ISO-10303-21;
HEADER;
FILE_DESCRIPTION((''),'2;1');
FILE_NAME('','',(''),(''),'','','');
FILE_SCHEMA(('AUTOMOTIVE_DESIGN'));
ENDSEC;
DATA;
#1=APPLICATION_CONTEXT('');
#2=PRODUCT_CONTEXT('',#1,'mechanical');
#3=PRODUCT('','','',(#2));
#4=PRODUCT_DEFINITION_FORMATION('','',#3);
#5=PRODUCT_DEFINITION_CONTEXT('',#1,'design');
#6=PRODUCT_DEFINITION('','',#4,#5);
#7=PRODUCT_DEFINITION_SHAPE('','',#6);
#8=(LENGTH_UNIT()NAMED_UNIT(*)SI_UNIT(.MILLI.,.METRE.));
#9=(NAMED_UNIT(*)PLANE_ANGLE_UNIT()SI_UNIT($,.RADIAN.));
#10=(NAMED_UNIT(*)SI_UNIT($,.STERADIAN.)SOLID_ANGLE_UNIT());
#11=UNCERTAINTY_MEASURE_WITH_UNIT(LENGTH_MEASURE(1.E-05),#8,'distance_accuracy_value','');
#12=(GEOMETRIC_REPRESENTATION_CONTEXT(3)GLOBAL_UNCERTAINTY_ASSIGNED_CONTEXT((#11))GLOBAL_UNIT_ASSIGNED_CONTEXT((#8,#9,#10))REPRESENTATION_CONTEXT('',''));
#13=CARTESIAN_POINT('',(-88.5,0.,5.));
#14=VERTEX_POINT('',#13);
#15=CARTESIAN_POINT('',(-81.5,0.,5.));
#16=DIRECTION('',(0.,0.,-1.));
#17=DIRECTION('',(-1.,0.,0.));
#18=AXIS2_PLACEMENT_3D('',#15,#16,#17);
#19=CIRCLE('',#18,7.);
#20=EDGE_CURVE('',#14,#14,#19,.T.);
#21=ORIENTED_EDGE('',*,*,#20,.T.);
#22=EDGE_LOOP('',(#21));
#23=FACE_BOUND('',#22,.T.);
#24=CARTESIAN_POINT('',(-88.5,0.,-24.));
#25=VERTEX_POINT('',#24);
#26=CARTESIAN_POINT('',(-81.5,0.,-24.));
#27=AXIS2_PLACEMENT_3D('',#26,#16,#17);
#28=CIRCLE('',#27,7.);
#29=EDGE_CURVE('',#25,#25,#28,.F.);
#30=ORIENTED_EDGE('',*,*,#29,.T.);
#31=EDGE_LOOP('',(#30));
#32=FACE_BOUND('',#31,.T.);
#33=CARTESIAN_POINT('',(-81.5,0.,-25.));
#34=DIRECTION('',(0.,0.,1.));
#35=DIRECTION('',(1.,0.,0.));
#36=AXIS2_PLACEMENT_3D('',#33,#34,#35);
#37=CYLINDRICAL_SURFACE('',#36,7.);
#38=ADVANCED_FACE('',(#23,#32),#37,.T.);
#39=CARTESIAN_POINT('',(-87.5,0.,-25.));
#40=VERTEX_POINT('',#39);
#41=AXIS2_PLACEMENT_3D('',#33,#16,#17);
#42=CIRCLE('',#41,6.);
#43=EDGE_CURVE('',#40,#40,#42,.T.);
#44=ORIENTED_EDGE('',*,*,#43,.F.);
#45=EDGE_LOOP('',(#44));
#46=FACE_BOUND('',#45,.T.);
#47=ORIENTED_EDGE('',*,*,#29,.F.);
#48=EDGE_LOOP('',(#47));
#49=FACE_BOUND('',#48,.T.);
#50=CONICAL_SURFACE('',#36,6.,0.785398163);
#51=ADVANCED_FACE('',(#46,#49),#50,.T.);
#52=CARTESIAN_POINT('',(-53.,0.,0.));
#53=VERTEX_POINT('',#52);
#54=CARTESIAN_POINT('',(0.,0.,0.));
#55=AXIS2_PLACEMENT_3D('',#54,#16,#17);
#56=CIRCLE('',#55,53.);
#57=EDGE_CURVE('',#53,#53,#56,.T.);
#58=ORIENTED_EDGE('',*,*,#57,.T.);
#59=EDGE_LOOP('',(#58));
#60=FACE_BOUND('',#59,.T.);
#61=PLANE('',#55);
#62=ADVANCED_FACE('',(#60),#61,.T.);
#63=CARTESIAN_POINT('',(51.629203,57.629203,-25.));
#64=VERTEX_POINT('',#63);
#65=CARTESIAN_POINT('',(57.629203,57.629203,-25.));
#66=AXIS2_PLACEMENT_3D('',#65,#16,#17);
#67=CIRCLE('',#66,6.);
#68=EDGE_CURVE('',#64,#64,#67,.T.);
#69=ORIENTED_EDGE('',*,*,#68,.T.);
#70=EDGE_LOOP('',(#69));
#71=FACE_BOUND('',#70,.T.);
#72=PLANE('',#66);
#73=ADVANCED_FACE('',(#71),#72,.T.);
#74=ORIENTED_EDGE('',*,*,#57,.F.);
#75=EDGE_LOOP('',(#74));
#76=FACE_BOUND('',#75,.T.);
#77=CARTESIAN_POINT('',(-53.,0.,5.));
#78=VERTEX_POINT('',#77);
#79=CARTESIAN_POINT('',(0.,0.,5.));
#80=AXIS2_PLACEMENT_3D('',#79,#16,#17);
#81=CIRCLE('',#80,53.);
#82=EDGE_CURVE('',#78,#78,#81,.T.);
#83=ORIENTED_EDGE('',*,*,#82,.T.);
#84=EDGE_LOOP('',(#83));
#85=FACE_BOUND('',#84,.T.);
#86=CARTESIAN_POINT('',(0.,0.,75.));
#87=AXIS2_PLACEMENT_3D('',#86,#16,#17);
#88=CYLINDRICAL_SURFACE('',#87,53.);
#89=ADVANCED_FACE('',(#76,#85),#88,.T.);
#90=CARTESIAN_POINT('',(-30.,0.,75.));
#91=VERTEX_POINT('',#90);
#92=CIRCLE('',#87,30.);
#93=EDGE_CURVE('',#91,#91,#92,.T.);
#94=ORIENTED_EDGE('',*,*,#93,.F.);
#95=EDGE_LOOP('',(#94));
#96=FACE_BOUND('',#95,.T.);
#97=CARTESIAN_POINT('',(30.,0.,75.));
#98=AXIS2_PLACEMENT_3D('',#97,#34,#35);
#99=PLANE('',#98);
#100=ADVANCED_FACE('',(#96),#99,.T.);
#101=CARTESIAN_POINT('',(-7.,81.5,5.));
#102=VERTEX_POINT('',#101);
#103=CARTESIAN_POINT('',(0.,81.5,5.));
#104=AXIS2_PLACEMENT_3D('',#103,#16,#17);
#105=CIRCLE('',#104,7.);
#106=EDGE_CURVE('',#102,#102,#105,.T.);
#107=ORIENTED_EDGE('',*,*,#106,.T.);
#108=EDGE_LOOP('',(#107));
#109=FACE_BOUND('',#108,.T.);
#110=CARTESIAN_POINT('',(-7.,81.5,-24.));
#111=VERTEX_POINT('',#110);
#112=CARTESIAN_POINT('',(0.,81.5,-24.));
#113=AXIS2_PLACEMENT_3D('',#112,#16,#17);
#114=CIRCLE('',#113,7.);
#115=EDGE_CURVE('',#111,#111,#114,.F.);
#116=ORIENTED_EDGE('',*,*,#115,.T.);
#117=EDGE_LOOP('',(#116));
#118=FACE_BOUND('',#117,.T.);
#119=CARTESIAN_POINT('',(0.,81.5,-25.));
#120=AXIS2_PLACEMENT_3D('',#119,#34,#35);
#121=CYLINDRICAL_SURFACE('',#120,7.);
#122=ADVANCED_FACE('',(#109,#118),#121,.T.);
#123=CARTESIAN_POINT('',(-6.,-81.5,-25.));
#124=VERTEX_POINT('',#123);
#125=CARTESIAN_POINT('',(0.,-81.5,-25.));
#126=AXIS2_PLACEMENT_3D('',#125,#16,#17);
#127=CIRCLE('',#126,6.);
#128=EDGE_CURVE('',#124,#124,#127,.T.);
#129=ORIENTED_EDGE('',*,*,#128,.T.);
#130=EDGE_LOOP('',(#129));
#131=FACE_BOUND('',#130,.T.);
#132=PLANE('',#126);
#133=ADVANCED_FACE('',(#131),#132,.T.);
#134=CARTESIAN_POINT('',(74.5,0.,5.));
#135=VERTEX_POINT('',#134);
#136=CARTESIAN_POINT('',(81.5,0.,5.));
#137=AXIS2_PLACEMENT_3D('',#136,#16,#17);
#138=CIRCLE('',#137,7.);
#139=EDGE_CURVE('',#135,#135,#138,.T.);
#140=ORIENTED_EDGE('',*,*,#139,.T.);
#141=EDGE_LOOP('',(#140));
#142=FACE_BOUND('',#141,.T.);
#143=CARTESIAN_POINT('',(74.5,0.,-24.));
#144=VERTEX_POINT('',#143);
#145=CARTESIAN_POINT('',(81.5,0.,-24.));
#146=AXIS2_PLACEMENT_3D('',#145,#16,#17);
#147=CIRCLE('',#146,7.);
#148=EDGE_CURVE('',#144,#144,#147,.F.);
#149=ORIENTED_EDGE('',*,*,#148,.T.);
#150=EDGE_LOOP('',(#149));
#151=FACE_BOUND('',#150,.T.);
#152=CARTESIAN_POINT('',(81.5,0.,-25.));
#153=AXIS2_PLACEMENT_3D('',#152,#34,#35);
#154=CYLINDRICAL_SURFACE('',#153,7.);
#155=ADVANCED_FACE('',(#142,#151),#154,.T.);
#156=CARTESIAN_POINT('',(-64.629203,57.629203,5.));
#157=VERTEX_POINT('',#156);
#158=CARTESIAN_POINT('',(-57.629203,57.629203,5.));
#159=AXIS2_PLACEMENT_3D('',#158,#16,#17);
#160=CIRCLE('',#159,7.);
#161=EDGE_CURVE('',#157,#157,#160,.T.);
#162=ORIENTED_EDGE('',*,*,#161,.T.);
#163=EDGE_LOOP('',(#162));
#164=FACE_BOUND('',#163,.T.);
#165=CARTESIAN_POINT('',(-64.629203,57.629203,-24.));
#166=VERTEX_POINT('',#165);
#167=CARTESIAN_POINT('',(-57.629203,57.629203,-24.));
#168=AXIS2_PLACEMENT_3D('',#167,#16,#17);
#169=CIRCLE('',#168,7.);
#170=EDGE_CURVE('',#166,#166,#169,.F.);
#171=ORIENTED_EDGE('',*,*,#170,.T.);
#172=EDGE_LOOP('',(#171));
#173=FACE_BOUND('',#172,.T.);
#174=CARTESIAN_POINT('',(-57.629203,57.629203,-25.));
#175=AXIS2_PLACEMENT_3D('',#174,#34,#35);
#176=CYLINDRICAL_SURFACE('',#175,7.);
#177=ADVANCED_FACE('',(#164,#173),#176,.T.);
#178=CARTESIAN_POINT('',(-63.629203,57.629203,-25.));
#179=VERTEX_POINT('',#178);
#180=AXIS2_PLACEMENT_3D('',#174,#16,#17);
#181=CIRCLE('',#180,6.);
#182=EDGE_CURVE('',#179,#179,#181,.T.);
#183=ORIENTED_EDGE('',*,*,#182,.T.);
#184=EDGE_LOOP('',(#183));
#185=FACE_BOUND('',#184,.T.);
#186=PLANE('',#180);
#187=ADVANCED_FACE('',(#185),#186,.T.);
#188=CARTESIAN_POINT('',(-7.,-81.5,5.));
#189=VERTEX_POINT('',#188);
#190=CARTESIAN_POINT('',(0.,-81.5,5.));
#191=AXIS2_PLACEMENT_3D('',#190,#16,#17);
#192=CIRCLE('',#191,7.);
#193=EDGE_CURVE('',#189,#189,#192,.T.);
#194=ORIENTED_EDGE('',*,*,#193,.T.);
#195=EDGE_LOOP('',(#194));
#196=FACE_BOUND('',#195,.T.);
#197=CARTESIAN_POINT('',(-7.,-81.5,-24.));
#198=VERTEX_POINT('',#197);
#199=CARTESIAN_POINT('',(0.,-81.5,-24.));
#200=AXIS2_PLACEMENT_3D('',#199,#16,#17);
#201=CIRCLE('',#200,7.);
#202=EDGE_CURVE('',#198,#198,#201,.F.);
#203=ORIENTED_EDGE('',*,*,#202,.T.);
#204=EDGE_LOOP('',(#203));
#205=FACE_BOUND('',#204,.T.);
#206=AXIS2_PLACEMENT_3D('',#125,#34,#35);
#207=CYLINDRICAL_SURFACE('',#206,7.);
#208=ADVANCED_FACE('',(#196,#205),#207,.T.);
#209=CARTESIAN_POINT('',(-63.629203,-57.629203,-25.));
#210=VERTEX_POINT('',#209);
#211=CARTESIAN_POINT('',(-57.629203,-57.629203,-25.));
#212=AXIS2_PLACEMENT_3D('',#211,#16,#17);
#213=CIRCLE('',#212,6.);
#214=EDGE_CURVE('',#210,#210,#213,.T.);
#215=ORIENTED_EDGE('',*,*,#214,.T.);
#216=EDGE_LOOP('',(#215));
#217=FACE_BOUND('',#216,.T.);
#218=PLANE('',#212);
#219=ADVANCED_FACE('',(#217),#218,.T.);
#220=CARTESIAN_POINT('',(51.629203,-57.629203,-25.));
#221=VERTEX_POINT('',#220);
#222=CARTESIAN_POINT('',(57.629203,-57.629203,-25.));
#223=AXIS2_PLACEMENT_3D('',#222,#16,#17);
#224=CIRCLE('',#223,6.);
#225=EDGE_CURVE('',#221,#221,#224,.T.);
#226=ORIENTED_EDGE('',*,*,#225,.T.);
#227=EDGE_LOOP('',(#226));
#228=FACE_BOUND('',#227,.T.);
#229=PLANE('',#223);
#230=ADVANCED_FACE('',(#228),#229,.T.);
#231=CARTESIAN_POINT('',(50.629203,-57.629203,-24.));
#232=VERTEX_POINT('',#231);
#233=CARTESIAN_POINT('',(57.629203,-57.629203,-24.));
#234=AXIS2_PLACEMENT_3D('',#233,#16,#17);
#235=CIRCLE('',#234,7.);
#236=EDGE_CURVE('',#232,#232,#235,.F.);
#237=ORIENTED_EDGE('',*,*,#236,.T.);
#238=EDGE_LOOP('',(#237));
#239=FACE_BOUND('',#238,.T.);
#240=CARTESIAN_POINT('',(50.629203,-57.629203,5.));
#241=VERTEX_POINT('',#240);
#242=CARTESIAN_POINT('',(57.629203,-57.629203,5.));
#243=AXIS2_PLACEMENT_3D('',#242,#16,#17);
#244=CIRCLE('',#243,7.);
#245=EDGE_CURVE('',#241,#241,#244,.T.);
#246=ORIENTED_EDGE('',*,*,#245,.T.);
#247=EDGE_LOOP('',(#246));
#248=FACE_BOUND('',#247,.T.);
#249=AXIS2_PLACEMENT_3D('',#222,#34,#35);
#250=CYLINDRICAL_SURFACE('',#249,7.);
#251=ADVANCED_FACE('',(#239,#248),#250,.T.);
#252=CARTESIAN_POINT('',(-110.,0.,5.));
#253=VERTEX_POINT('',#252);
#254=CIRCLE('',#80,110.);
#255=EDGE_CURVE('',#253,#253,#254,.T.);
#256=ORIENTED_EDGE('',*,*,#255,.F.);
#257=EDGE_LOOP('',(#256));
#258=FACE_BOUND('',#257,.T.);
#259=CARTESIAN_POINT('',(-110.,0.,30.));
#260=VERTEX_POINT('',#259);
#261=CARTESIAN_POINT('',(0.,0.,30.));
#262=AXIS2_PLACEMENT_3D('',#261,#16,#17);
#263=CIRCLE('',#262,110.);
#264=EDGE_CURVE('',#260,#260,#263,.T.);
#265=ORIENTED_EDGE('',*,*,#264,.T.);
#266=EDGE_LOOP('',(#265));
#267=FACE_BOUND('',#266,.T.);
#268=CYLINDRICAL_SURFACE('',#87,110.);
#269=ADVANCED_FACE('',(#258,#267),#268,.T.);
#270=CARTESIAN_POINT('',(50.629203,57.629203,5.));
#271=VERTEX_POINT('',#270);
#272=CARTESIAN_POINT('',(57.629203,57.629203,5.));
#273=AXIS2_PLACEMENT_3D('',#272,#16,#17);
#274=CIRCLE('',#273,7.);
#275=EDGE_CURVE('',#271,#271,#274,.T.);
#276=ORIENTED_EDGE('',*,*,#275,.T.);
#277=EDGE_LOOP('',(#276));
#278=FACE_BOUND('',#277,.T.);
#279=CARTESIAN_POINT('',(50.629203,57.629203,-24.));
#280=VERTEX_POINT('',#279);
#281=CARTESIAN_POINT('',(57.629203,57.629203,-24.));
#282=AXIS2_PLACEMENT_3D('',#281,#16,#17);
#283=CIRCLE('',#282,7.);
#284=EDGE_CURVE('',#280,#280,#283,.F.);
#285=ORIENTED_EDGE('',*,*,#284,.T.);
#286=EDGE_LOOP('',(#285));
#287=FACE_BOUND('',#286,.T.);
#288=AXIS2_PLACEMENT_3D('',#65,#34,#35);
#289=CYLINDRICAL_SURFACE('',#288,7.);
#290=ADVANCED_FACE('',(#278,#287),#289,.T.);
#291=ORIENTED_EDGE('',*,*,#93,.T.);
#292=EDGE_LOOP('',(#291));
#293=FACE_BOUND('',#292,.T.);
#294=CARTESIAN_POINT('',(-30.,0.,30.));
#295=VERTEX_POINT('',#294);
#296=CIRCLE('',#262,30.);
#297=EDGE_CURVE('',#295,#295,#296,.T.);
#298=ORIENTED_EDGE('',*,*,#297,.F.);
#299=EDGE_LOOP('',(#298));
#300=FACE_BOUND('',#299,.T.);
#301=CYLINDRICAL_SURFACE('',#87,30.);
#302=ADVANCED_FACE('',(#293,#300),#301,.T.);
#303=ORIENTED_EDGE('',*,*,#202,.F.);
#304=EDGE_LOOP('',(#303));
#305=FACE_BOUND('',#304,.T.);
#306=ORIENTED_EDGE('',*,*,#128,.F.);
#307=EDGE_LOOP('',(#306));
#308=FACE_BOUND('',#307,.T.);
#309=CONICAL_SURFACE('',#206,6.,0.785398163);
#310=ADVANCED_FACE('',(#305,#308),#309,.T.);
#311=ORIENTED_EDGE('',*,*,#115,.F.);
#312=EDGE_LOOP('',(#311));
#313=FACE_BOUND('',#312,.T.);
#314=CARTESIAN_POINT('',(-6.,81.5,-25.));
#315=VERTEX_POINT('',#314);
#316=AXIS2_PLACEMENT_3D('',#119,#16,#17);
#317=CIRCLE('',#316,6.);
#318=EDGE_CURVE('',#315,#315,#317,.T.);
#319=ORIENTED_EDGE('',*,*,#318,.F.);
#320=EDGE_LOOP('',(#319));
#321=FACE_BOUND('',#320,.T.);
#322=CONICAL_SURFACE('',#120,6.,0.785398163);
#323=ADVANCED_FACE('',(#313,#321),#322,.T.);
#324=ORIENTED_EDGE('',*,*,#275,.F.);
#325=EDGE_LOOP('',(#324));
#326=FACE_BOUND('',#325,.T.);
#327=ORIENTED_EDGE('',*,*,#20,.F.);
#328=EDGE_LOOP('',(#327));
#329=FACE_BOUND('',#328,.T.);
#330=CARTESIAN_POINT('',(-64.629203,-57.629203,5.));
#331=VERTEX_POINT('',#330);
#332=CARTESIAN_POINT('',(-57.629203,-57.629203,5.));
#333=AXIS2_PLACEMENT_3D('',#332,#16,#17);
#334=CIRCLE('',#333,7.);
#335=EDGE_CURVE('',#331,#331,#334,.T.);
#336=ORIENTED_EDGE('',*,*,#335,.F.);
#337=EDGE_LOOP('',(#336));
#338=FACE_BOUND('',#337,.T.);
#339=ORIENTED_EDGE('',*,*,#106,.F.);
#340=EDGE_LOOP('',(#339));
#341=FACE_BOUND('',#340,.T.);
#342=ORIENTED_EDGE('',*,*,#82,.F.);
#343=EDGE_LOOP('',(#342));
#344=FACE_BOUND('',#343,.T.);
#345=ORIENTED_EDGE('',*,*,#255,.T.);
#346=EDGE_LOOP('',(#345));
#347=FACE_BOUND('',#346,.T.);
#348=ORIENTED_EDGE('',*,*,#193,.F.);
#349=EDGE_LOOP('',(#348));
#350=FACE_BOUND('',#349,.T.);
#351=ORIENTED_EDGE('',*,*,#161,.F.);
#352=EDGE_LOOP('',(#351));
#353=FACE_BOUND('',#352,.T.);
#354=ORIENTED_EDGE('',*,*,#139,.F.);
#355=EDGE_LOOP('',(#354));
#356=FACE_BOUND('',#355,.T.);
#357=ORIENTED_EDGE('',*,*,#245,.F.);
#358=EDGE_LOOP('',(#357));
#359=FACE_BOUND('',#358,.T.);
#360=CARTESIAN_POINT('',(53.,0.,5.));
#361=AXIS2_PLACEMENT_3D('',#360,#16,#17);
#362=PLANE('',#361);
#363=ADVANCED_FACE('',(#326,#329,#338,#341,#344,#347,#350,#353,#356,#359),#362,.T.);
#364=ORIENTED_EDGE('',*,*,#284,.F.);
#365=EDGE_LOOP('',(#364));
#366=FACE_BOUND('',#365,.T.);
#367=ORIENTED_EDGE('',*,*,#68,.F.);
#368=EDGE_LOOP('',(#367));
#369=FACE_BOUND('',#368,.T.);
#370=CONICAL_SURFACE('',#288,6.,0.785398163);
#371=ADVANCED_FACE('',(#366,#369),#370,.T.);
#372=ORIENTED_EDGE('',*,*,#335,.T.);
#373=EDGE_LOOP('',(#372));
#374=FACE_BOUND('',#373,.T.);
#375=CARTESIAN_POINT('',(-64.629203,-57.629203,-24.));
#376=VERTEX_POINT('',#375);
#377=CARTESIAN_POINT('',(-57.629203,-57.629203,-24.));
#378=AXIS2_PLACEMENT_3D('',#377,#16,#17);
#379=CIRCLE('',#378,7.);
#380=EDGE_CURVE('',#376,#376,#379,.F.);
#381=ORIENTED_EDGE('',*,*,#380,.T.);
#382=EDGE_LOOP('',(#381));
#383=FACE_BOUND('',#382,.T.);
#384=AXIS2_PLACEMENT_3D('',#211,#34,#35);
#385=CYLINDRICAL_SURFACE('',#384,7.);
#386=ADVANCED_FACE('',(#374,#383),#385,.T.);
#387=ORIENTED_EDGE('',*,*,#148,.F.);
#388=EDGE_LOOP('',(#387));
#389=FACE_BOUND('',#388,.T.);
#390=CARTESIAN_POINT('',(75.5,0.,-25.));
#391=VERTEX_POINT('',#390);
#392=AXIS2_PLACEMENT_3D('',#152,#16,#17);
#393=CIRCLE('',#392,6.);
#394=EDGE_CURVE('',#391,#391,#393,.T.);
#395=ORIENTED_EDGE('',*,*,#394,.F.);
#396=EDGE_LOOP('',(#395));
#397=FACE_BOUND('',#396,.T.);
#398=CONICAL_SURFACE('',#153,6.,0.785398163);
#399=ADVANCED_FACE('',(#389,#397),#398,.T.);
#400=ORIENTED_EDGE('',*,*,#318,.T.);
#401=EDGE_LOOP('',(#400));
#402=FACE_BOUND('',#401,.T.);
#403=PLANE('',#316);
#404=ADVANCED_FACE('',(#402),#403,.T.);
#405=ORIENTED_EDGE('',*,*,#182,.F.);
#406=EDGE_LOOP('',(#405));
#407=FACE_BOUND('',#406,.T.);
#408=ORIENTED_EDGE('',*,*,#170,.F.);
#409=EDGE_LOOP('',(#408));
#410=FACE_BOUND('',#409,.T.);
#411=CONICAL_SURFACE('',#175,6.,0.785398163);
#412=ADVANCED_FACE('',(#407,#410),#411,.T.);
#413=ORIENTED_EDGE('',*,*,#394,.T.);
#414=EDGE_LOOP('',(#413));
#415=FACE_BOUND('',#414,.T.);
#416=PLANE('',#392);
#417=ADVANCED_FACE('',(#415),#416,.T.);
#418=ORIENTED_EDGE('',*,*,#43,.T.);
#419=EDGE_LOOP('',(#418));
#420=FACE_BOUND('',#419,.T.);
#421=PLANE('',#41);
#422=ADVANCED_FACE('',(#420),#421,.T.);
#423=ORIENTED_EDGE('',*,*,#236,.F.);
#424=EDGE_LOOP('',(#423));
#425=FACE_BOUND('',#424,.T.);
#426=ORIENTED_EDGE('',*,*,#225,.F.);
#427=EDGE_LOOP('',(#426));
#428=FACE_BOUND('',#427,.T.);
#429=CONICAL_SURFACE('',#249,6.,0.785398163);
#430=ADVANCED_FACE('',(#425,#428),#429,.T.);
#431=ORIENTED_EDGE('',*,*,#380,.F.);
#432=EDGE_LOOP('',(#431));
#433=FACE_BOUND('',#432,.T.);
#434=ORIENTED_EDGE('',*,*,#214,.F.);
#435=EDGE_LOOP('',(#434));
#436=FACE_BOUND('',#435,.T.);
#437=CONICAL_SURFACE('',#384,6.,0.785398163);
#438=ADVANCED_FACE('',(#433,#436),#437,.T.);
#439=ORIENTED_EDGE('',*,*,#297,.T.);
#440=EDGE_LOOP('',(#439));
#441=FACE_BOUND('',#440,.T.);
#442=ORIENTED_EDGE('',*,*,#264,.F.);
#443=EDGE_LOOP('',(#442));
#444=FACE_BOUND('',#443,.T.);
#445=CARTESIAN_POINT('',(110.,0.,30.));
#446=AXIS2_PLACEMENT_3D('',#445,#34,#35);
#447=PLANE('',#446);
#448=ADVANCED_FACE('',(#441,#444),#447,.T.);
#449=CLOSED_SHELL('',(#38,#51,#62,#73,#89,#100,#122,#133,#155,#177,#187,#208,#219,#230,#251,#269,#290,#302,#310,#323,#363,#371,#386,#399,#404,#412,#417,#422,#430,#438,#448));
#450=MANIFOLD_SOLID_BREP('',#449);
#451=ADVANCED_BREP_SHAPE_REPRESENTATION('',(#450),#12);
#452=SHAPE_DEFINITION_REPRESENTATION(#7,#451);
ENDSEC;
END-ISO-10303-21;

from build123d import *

# Parameters (mm, degrees)
SKETCH7_R           = 7
BOSS_EXTRUDE2_DEPTH = 30
CHAMFER2_SIZE       = 1


with BuildPart() as part:
    # Sketch6 → Revolve2 (revolve)
    with BuildSketch(Plane.XZ):
        Polygon((30, 75), (0, 75), (0, 0), (53, 0), (53, 5), (110, 5), (110, 30), (30, 30), align=None)
    revolve(axis=Axis((0, 0, 75), (0, 0, -1)))

    # Sketch7 → Boss-Extrude2 (add)
    with BuildSketch(Plane(origin=(0, 0, 5), x_dir=(-1, 0, 0), z_dir=(0, 0, -1))):
        with Locations((-57.629202667, -57.629202667)):
            Circle(SKETCH7_R)
        with Locations((-81.5, 0)):
            Circle(SKETCH7_R)
        with Locations((-57.629202667, 57.629202667)):
            Circle(SKETCH7_R)
        with Locations((0, 81.5)):
            Circle(SKETCH7_R)
        with Locations((57.629202667, 57.629202667)):
            Circle(SKETCH7_R)
        with Locations((81.5, 0)):
            Circle(SKETCH7_R)
        with Locations((0, -81.5)):
            Circle(SKETCH7_R)
        with Locations((57.629202667, -57.629202667)):
            Circle(SKETCH7_R)
    extrude(amount=BOSS_EXTRUDE2_DEPTH)

    # Chamfer2
    chamfer2_edges = [part.edges().sort_by_distance(p)[0] for p in [
        (64.629202667, -57.629202667, -25),
        (88.5, 0, -25),
        (64.629202667, 57.629202667, -25),
        (7, 81.5, -25),
        (-50.629202667, 57.629202667, -25),
        (7, -81.5, -25),
        (-74.5, 0, -25),
        (-50.629202667, -57.629202667, -25),
    ]]
    chamfer(chamfer2_edges, length=CHAMFER2_SIZE)


solid = part.part
